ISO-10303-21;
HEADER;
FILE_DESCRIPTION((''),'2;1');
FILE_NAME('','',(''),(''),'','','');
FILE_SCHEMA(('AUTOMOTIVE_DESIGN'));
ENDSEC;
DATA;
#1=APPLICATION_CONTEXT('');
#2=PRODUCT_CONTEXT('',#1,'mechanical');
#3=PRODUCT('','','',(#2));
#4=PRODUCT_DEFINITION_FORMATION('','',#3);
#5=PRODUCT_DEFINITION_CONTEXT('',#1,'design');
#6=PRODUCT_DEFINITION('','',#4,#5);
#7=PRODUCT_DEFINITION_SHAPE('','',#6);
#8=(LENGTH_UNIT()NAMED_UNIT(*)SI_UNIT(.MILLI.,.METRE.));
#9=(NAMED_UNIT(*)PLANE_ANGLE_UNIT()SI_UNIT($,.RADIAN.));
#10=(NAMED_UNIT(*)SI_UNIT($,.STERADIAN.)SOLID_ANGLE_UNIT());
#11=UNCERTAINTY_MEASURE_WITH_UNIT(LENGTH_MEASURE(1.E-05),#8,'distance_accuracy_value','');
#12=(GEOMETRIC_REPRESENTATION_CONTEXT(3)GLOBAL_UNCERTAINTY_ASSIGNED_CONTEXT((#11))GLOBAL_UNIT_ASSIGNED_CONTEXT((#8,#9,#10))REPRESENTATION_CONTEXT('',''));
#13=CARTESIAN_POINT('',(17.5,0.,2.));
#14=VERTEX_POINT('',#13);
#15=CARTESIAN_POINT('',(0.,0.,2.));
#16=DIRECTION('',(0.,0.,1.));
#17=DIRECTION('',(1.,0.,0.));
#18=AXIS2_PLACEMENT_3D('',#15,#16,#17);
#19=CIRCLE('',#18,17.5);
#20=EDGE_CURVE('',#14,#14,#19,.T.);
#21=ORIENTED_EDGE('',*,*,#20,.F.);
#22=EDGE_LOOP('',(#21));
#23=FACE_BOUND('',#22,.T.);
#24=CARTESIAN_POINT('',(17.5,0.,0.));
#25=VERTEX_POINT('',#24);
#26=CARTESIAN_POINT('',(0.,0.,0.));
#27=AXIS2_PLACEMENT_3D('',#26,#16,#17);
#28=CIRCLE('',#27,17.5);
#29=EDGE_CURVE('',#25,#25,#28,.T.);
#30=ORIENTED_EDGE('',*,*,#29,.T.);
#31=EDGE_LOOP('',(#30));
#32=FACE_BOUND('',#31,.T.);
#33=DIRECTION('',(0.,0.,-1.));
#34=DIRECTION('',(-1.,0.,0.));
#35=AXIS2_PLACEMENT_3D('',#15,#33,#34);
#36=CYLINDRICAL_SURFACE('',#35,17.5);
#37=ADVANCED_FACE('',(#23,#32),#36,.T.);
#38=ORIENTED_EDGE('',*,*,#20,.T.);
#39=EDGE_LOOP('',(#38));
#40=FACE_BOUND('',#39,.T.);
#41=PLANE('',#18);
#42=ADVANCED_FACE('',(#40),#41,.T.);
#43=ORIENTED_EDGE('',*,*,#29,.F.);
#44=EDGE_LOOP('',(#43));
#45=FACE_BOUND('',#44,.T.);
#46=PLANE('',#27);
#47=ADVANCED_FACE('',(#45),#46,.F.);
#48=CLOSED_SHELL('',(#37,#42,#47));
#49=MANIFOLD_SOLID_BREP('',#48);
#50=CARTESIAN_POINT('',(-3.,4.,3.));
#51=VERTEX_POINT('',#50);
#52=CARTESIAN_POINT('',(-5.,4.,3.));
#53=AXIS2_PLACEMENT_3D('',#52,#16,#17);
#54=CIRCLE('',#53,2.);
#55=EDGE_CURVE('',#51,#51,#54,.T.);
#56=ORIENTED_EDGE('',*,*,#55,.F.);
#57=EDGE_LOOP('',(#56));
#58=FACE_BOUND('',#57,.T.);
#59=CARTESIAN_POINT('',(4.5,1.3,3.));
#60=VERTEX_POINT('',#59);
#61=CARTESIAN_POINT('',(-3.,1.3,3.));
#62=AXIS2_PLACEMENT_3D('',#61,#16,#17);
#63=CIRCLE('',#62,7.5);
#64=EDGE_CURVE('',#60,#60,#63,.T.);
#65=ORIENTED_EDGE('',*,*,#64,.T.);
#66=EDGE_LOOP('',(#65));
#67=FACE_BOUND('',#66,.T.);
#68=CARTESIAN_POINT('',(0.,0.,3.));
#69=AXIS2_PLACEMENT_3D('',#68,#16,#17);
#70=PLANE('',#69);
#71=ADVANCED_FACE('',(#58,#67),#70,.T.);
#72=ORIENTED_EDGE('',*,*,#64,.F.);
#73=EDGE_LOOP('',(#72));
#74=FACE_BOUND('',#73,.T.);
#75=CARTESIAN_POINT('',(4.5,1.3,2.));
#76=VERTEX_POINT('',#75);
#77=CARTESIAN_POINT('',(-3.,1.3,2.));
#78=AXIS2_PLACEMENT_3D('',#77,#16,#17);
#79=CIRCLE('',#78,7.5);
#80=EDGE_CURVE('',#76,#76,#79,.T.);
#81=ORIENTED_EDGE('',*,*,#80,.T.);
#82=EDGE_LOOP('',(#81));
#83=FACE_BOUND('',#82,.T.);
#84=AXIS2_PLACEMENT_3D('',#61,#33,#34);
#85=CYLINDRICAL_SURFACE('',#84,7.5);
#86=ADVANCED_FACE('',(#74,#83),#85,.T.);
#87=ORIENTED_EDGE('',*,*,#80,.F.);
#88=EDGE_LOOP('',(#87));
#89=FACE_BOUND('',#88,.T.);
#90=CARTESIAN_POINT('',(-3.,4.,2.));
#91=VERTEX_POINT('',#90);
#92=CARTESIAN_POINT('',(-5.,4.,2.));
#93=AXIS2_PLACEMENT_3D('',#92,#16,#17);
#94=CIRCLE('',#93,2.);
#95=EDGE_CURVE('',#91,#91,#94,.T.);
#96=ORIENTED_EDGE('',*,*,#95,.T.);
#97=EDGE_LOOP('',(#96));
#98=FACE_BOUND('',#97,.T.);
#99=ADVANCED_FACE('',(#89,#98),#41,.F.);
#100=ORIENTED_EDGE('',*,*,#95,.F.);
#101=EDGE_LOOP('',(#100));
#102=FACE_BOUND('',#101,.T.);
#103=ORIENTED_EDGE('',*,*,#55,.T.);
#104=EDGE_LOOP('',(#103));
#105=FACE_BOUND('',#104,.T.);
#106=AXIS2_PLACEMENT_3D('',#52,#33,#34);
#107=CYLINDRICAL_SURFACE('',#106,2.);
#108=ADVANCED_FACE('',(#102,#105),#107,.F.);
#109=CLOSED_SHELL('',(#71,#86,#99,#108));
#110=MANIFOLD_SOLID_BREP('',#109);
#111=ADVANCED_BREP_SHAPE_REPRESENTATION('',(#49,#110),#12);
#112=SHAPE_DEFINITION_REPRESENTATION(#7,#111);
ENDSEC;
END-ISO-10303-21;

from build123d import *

# Parameters (mm, degrees)
SKETCH1_R           = 17.5
BOSS_EXTRUDE1_DEPTH = 2
SKETCH2_R           = 7.5
SKETCH2_R_2         = 2
BOSS_EXTRUDE2_DEPTH = 1


with BuildPart() as part:
    # Sketch1 → Boss-Extrude1 (new body)
    with BuildSketch(Plane.XY):
        Circle(SKETCH1_R)
    extrude(amount=BOSS_EXTRUDE1_DEPTH)


with BuildPart() as body_2:
    # Sketch2 → Boss-Extrude2 (new body)
    with BuildSketch(Plane.XY.offset(2)):
        with Locations((-3, 1.3)):
            Circle(SKETCH2_R)
        with Locations((-5, 4)):
            Circle(SKETCH2_R_2, mode=Mode.SUBTRACT)
    extrude(amount=BOSS_EXTRUDE2_DEPTH)


solid = Compound([part.part, body_2.part])
